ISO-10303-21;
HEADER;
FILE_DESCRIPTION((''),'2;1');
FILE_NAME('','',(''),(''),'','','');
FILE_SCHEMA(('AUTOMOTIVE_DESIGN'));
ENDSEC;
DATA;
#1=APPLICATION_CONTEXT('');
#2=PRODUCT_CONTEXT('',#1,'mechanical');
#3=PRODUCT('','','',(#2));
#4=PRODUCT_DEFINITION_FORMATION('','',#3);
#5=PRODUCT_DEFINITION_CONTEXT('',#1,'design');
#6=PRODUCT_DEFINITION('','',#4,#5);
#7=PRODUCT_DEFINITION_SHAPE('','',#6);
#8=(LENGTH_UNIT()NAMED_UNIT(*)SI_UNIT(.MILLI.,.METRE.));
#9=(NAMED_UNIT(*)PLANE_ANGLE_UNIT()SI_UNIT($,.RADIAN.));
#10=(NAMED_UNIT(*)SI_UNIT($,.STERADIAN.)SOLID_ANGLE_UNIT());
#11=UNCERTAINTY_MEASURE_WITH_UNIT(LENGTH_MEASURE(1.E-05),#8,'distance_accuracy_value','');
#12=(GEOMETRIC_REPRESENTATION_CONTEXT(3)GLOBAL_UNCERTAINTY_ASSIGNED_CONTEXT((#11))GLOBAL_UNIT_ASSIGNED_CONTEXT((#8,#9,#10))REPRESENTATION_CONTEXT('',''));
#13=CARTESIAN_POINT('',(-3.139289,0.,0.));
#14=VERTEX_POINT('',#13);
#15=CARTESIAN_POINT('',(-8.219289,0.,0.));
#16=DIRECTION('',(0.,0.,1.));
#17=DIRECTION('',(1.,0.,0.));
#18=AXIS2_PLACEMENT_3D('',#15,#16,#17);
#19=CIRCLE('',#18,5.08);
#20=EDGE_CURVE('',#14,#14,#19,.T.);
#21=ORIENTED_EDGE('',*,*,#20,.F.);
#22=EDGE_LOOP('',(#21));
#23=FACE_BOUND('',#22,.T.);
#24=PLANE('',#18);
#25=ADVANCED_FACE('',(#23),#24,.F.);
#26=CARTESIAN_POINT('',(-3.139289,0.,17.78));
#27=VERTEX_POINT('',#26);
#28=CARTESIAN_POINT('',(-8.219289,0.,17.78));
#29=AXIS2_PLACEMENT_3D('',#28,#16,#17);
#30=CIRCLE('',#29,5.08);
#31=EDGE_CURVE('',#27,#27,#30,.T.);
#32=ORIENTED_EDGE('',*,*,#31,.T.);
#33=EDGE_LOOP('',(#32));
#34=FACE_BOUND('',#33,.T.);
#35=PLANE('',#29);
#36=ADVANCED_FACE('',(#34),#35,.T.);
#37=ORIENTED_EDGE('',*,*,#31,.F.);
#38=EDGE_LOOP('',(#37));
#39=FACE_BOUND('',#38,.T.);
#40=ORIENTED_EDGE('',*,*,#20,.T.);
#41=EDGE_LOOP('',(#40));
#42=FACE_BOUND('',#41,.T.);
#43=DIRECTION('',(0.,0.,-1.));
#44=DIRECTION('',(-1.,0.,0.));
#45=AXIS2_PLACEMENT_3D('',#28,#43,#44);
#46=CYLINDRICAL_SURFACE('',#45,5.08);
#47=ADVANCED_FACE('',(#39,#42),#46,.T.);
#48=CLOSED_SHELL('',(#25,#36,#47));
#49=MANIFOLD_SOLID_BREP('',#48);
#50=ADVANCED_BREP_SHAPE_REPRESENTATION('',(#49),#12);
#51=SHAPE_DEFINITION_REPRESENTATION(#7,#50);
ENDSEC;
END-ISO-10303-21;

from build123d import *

# Parameters (mm, degrees)
SKETCH1_R           = 5.08
BOSS_EXTRUDE1_DEPTH = 17.78


with BuildPart() as part:
    # Sketch1 → Boss-Extrude1 (new body)
    with BuildSketch(Plane.XY):
        with Locations((-8.219288999, 0)):
            Circle(SKETCH1_R)
    extrude(amount=BOSS_EXTRUDE1_DEPTH)


solid = part.part
